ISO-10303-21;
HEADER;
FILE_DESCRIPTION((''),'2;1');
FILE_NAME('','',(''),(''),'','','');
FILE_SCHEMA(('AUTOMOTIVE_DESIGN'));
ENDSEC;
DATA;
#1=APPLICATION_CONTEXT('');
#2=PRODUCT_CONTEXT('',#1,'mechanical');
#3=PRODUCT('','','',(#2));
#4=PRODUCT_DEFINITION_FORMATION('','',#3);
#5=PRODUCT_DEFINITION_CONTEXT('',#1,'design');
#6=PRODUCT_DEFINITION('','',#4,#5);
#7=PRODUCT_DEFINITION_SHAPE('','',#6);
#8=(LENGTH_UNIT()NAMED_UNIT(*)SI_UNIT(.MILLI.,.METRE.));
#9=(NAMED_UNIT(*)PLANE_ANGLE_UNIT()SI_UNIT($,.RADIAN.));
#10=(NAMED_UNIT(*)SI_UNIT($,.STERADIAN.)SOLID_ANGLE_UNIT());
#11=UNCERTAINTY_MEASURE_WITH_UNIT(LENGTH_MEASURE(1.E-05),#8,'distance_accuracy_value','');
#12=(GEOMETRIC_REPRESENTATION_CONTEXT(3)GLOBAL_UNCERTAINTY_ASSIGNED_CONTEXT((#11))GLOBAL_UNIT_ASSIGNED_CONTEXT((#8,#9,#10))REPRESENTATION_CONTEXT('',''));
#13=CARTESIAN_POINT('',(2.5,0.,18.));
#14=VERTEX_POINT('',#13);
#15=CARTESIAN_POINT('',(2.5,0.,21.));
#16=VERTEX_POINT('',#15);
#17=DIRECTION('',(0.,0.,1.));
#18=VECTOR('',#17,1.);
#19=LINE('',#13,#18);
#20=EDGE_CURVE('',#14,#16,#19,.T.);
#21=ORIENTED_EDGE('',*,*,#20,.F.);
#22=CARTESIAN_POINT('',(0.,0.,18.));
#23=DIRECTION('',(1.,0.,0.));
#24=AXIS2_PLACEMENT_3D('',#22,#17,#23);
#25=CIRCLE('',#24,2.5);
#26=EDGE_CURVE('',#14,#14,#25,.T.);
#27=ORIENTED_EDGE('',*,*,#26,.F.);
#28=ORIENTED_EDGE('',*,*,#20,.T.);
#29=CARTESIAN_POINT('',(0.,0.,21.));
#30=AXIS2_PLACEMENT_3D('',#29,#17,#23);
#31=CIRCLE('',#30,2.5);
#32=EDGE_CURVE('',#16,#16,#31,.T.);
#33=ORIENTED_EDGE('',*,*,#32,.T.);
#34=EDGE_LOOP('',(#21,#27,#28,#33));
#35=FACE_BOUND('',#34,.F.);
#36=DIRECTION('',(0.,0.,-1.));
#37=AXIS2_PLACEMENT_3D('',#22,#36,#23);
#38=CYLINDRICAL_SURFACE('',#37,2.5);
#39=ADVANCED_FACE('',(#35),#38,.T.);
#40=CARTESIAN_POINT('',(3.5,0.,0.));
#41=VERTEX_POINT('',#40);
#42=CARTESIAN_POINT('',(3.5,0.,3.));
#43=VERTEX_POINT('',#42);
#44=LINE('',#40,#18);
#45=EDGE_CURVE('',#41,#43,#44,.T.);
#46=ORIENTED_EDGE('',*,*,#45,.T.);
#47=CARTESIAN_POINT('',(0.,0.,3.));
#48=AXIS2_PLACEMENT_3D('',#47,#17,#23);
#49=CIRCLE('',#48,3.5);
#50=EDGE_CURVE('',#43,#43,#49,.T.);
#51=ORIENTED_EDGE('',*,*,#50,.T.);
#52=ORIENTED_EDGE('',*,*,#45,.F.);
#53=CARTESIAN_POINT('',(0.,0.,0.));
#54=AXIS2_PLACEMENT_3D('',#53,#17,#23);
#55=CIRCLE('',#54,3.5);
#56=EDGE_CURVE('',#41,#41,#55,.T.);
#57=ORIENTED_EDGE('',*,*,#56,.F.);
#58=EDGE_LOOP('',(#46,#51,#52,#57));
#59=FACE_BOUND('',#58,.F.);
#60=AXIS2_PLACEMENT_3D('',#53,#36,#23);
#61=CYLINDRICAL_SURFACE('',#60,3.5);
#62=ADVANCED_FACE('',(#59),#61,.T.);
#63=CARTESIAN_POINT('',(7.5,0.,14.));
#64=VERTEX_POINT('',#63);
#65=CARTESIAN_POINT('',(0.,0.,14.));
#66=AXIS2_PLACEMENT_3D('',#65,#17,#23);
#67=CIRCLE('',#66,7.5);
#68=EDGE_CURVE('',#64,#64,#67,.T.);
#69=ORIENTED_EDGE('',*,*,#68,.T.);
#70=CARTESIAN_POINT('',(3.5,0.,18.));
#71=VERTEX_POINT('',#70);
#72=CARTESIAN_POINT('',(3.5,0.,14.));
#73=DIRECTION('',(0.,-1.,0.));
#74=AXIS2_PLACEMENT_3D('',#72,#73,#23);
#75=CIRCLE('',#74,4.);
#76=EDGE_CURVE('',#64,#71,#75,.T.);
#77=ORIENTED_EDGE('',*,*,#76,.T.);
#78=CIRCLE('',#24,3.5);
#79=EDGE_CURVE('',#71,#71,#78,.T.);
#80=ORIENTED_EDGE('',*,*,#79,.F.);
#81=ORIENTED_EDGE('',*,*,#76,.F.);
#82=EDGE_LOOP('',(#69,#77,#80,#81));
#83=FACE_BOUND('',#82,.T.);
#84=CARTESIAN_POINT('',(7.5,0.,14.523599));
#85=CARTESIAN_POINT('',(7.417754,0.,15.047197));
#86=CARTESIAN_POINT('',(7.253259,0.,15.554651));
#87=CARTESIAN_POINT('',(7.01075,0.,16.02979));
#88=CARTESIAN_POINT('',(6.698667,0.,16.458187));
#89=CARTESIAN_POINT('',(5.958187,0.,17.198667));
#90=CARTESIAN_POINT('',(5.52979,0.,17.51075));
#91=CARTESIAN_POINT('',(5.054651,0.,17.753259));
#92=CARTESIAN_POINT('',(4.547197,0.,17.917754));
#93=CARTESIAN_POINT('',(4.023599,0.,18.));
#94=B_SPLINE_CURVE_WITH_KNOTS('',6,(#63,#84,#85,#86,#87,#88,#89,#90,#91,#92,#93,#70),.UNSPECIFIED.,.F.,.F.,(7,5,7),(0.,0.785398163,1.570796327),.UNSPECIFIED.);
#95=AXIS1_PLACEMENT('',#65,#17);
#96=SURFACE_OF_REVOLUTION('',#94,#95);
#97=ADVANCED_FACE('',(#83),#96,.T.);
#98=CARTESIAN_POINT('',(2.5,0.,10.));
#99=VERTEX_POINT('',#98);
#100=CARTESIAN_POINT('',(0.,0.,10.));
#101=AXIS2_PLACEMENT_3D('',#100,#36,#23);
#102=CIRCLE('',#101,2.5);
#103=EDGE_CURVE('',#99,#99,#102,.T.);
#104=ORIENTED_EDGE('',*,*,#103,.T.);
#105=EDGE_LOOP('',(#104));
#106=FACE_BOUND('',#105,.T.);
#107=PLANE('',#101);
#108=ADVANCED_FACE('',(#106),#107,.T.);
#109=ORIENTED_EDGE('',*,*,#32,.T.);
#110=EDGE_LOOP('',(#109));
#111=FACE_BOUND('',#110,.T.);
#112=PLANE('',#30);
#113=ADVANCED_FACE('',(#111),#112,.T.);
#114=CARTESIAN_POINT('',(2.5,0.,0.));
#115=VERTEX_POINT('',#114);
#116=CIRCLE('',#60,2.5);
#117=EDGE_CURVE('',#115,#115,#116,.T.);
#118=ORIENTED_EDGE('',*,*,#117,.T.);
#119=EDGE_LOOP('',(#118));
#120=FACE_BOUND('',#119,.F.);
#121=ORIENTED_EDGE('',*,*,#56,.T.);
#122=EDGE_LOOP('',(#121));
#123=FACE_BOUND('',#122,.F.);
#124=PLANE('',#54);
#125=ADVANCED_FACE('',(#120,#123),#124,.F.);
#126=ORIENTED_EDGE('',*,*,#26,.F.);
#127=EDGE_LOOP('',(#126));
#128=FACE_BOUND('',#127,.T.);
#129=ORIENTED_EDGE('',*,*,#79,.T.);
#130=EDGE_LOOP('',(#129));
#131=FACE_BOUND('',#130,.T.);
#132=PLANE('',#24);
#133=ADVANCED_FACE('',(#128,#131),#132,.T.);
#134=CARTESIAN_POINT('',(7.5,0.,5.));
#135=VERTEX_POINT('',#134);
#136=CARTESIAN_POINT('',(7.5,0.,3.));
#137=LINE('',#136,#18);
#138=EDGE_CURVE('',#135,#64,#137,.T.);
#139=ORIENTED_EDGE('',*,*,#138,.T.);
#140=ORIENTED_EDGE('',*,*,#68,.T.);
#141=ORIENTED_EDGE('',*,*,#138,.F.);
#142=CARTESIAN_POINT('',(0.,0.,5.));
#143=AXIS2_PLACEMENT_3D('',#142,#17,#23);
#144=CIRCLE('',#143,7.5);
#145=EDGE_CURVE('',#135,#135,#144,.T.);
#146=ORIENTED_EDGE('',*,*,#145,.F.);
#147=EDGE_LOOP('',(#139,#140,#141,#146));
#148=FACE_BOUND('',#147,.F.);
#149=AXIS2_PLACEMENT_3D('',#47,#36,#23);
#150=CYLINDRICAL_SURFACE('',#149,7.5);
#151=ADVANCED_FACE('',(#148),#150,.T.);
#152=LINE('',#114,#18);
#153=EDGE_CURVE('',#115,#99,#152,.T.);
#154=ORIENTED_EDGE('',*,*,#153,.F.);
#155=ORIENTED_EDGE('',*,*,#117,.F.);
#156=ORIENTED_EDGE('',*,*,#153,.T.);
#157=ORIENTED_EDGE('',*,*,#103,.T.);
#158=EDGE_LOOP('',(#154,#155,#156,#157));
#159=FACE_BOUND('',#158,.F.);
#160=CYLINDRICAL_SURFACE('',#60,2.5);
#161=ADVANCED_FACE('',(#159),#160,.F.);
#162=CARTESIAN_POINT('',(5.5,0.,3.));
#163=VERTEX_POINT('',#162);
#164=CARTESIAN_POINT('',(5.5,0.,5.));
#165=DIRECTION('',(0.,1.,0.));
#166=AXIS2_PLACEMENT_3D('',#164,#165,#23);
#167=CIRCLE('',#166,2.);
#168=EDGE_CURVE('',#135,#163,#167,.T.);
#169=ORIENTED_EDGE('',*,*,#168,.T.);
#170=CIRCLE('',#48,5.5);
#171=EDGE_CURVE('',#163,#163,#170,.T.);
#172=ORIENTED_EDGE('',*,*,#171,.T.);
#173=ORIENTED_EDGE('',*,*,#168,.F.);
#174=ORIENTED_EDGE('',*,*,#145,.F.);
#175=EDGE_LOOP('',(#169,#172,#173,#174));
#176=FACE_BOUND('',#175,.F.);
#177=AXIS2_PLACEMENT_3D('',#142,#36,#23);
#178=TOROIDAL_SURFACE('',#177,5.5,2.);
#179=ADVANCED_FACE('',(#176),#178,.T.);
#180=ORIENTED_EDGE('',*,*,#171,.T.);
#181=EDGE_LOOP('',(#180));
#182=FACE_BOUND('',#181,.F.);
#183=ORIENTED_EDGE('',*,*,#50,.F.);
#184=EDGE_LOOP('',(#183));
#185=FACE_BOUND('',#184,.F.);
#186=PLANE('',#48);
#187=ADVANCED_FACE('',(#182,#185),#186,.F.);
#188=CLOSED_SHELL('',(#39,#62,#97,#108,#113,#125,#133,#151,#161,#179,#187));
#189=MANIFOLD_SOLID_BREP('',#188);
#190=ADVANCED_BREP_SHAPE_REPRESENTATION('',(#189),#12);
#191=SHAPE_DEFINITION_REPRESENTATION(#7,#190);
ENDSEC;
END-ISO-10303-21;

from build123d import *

# Parameters (mm, degrees)
F0_R     = 3.5
F1_DEPTH = 3
F2_R     = 7.5
F2_R_2   = 3.5
F3_DEPTH = 15
F4_R     = 2.5
F5_DEPTH = 3
F6_R     = 2.5
F7_DEPTH = 10
F8_R     = 4
F9_R     = 2


with BuildPart() as f1:
    # F0 (on Top) → F1 (new body)
    with BuildSketch(Plane.XY):
        Circle(F0_R)
    extrude(amount=F1_DEPTH)

    # F2 (on face) → F3 (join)
    with BuildSketch(Plane.XY.offset(3)):
        Circle(F2_R)
        Circle(F2_R_2, mode=Mode.SUBTRACT)
        Circle(F2_R_2)
    extrude(amount=F3_DEPTH)

    # F4 (on face) → F5 (join)
    with BuildSketch(Plane.XY.offset(18)):
        Circle(F4_R)
    extrude(amount=F5_DEPTH)

    # F6 (on face) → F7 (cut)
    with BuildSketch(Plane(origin=(0, 0, 0), x_dir=(1, 0, 0), z_dir=(0, 0, -1))):
        Circle(F6_R)
    extrude(amount=-F7_DEPTH, mode=Mode.SUBTRACT)

    # F8
    f8_edges = [f1.edges().sort_by_distance(p)[0] for p in [
        (-7.5, 0, 18),
    ]]
    fillet(f8_edges, radius=F8_R)

    # F9
    f9_edges = [f1.edges().sort_by_distance(p)[0] for p in [
        (-7.5, 0, 3),
    ]]
    fillet(f9_edges, radius=F9_R)


solid = f1.part
